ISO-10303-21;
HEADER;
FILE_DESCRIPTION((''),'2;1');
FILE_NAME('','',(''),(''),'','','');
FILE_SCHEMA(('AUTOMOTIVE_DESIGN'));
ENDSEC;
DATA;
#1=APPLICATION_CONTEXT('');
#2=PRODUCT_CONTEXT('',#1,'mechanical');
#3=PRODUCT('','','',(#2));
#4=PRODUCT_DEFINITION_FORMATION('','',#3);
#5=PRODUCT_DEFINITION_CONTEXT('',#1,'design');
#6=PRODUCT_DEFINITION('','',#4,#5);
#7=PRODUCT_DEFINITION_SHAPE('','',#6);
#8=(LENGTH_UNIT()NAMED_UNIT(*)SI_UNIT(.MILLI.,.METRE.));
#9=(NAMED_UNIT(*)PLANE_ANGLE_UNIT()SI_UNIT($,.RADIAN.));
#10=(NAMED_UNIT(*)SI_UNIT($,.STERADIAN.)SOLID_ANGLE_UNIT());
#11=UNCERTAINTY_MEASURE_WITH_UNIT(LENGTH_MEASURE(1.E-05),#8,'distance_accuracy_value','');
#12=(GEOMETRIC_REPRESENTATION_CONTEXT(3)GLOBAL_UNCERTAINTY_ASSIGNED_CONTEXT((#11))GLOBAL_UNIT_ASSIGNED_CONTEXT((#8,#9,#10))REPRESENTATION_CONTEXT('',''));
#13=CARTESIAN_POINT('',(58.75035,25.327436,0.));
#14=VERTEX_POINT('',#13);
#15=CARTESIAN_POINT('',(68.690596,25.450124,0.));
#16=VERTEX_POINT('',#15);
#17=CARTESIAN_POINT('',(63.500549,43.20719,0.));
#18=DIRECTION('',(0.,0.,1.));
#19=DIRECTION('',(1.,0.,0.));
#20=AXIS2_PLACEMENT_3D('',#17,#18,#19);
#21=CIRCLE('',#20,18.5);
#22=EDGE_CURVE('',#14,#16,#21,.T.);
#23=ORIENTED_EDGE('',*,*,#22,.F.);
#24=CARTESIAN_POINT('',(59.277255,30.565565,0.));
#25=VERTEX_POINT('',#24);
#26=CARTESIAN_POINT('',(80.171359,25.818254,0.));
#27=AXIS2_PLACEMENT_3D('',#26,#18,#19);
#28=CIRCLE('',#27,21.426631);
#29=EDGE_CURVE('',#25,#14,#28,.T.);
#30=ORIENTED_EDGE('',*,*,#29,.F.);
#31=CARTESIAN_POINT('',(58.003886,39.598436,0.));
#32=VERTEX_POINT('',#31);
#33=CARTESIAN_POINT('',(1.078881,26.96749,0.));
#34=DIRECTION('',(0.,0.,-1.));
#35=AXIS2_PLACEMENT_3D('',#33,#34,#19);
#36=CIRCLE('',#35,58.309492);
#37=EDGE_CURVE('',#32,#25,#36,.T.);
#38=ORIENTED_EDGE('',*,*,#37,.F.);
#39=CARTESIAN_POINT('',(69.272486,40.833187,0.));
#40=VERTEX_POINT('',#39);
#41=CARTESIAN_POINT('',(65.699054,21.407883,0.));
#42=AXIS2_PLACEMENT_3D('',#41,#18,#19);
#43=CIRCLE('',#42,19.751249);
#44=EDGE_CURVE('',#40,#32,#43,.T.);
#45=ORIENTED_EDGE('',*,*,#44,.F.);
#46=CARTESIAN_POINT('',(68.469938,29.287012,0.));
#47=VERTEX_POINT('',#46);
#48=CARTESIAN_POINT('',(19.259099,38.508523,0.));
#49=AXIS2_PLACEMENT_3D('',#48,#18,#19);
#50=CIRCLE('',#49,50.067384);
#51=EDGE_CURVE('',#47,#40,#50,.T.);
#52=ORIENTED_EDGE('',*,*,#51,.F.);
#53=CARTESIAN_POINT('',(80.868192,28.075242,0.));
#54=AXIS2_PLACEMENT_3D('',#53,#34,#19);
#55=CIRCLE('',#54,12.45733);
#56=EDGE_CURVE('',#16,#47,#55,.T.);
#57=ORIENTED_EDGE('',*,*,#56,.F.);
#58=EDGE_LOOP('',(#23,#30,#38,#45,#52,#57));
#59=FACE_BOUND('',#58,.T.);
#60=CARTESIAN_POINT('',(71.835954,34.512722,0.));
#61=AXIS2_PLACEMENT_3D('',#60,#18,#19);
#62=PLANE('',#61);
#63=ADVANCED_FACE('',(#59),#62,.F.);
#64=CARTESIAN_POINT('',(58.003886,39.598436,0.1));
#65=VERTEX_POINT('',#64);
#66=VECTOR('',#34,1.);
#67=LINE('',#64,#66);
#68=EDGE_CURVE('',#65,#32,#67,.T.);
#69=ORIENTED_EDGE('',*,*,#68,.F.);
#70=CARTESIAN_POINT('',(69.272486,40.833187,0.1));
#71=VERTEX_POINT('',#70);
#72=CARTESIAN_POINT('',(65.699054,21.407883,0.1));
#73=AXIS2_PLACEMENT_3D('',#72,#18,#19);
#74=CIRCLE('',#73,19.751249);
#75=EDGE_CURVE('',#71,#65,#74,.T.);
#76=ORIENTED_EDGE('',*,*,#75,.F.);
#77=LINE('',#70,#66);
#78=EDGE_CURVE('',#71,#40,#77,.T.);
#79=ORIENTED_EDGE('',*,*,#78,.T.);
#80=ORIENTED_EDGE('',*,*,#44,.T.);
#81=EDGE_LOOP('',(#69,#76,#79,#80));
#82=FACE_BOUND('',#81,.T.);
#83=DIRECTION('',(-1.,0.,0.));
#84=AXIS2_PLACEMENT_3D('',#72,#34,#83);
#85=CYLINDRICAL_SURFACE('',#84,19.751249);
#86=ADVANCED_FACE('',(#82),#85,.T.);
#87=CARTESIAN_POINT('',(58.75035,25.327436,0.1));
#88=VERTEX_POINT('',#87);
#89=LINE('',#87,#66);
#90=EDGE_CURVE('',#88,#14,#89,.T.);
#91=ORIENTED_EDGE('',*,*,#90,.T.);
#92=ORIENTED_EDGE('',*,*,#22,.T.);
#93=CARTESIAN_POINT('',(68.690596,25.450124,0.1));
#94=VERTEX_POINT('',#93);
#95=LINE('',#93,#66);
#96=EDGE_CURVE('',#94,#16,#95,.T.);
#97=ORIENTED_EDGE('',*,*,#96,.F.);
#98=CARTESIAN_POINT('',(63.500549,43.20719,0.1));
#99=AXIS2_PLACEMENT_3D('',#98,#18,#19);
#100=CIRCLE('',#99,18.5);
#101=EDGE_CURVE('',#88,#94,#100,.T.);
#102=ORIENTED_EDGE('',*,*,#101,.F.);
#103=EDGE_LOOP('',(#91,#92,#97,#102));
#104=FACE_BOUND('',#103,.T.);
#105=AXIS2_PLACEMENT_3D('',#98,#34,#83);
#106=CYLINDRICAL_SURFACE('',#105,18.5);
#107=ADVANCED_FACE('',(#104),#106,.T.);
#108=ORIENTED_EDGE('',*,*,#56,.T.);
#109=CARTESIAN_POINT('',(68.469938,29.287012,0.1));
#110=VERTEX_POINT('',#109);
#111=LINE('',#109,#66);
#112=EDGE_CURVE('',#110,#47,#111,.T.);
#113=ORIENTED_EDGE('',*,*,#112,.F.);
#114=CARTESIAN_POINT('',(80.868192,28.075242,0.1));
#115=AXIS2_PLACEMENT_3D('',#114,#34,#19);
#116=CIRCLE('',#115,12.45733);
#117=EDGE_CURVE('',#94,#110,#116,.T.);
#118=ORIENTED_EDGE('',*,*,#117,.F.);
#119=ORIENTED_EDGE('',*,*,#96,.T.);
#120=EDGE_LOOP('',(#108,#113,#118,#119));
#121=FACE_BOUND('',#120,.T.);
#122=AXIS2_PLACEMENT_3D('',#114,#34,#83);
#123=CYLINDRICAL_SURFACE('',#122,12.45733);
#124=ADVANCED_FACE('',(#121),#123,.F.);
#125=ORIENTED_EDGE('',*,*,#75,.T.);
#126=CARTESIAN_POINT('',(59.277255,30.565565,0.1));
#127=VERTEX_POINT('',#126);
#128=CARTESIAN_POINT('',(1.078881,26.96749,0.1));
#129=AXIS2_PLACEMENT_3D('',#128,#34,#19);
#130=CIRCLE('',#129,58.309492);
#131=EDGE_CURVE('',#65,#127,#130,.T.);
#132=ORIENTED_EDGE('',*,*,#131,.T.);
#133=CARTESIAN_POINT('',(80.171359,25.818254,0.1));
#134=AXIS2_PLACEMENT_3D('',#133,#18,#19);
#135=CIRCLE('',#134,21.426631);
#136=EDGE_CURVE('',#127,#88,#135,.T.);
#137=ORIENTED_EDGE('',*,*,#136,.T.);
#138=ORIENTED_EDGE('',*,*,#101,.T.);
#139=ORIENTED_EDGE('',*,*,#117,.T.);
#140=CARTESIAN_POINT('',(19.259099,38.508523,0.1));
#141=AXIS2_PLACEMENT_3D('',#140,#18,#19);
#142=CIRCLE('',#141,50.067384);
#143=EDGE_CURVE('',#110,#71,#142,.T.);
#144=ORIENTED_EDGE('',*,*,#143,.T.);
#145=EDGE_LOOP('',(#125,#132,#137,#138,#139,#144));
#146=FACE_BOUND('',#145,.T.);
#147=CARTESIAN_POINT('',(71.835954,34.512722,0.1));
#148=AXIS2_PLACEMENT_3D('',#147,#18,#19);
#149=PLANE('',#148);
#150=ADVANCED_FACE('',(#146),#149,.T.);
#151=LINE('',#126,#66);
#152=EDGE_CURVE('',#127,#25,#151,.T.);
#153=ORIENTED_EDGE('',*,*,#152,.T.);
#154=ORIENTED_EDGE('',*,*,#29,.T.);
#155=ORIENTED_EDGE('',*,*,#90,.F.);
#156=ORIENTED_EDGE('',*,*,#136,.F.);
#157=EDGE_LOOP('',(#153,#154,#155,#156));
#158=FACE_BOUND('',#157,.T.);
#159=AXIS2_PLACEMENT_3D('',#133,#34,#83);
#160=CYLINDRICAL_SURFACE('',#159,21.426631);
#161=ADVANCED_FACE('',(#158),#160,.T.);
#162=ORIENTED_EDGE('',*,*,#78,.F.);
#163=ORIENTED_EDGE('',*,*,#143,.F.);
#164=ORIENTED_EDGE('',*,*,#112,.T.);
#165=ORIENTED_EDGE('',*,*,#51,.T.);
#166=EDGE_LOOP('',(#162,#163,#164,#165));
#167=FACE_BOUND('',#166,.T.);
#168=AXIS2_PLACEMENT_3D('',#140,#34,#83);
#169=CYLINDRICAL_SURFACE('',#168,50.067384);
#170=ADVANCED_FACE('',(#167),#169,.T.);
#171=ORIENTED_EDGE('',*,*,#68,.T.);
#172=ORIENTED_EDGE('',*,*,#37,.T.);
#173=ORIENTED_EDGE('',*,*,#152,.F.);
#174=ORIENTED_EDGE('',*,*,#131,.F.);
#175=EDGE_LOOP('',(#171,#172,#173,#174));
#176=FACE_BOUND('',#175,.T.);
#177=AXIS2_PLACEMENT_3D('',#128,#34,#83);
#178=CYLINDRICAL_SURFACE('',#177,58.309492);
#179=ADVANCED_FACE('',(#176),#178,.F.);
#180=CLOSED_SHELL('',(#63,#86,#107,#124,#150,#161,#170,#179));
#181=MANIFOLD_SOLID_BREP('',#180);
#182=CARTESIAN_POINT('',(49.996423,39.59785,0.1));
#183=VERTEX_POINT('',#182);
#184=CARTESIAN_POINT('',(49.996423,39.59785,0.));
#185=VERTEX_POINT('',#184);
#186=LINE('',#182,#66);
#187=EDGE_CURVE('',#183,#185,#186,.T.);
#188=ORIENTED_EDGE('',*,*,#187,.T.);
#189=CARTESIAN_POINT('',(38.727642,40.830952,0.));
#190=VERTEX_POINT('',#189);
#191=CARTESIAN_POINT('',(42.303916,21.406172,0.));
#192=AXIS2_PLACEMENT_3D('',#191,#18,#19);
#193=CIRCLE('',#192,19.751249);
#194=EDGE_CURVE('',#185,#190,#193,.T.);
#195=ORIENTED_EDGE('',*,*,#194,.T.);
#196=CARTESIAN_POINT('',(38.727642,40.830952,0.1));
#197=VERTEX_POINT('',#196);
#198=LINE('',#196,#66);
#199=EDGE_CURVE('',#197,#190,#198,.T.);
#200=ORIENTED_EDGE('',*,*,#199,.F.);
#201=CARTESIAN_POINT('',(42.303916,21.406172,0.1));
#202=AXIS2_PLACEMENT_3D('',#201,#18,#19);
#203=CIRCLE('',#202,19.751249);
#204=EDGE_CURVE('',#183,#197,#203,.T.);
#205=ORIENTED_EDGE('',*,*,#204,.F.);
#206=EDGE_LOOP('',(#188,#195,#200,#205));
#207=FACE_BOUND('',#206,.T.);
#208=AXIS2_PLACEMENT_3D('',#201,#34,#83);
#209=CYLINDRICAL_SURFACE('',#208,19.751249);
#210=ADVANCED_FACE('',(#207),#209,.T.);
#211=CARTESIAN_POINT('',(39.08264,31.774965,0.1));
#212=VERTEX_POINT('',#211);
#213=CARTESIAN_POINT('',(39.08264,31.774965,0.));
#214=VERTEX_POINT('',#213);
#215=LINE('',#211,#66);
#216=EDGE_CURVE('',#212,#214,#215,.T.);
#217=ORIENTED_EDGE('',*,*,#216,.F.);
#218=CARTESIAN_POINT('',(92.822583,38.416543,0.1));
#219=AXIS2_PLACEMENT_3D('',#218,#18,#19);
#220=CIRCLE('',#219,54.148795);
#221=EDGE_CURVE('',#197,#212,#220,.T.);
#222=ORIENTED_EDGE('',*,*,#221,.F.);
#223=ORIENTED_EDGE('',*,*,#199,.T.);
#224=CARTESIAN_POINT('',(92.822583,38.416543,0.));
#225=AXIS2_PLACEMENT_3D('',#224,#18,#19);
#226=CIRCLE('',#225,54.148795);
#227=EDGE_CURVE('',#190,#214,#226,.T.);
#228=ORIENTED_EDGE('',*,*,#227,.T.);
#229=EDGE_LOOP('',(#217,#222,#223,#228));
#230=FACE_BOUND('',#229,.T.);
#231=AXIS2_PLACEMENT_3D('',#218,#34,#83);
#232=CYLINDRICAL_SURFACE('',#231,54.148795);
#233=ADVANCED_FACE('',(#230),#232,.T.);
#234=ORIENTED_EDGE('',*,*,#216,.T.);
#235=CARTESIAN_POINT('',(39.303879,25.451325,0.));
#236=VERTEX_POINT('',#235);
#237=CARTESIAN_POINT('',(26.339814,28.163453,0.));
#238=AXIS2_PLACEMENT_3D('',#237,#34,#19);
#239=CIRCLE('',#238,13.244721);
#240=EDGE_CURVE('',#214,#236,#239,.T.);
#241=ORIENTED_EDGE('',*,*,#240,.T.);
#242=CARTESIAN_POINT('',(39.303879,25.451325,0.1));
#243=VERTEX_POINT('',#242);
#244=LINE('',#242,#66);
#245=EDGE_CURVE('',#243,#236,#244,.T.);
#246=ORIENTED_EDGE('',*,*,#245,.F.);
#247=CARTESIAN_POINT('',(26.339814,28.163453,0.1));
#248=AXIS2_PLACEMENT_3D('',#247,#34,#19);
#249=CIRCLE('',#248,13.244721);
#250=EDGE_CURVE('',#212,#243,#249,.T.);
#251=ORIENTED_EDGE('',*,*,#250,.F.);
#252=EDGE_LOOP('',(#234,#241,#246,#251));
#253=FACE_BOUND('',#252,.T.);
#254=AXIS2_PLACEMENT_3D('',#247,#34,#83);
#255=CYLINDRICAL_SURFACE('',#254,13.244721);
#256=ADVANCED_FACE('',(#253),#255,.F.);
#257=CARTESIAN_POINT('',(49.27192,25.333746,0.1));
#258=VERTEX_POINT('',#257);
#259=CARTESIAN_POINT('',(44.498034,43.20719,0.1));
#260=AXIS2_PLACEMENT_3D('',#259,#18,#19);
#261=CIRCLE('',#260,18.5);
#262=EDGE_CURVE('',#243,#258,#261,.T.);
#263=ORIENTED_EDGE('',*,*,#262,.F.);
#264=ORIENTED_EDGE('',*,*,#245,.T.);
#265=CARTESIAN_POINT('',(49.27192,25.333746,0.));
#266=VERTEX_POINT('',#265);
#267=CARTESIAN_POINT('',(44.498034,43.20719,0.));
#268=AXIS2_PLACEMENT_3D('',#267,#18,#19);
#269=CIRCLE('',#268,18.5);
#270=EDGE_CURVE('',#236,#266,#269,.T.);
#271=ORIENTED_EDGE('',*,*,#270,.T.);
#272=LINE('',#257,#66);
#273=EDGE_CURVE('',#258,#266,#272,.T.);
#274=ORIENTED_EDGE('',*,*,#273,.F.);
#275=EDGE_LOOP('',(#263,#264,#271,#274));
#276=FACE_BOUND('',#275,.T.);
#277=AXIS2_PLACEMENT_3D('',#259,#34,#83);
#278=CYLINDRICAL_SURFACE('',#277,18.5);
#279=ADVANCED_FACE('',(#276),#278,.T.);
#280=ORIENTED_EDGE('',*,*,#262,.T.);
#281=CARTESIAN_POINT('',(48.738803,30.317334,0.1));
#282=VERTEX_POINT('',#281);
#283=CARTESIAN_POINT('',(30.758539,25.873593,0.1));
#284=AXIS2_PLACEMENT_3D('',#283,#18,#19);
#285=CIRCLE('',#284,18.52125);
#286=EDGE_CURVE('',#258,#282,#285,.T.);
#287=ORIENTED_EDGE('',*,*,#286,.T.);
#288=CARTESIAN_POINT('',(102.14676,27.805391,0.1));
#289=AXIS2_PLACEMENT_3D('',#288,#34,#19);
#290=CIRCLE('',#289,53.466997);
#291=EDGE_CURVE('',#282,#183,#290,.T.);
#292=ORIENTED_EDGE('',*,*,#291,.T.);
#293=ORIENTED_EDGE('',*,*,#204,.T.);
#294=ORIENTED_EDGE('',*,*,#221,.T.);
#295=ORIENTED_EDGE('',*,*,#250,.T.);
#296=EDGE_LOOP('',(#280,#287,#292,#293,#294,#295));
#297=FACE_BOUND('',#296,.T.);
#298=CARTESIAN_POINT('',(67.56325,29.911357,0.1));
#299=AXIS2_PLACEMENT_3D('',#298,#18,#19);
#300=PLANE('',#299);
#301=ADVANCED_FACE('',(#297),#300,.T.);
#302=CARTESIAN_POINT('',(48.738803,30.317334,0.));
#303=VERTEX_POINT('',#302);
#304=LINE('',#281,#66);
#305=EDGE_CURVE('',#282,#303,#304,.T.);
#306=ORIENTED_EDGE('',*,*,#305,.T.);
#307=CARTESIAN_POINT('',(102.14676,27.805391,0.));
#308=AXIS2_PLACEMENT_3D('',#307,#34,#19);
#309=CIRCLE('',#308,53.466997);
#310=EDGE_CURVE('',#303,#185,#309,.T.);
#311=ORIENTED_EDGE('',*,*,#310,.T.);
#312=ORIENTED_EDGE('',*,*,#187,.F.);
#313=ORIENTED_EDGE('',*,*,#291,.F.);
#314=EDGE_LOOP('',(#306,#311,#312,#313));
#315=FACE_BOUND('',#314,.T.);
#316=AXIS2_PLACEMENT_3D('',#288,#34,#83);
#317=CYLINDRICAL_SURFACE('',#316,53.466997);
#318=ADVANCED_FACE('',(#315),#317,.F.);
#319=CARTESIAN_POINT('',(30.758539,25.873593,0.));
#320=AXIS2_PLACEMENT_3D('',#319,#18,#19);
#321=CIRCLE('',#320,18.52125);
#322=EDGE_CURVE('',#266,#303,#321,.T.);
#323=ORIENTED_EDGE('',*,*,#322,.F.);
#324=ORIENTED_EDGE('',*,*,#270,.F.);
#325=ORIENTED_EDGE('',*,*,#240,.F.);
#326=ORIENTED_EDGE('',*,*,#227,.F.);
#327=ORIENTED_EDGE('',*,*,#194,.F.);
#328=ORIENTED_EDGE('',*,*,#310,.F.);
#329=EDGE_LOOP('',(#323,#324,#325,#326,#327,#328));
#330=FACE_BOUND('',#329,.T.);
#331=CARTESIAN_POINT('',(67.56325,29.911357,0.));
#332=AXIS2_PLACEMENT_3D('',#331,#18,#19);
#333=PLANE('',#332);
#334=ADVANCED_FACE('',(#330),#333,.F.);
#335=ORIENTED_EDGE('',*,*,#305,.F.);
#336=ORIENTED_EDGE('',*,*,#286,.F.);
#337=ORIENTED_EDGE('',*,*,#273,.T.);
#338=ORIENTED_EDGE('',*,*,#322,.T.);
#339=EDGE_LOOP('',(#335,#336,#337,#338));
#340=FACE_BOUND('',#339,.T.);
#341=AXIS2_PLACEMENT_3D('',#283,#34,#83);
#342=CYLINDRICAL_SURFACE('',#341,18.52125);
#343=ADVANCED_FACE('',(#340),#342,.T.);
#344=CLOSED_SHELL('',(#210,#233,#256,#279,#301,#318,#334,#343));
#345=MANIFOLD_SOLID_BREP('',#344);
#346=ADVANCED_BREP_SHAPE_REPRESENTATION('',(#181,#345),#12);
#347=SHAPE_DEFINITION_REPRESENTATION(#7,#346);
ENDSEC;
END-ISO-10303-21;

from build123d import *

# Parameters (mm, degrees)
SALIENTE_EXTRUIR1_DEPTH   = 0.1
SALIENTE_EXTRUIR1_2_DEPTH = 0.1


with BuildPart() as part:
    # Model → Saliente-Extruir1 (new body)
    with BuildSketch(Plane.XY):
        with BuildLine():
            ThreePointArc((38.727641792, 40.830951587), (38.715344206, 36.29551839), (39.082639899, 31.774965394))
            ThreePointArc((39.082639899, 31.774965394), (39.576436382, 28.626551083), (39.303879403, 25.451325054))
            ThreePointArc((39.303879403, 25.451325054), (44.279831034, 24.708477296), (49.271920409, 25.333746117))
            ThreePointArc((49.271920409, 25.333746117), (49.17471595, 27.843656594), (48.738802888, 30.317333838))
            ThreePointArc((48.738802888, 30.317333838), (49.164023548, 34.985180658), (49.996422938, 39.597849929))
            ThreePointArc((49.996422938, 39.597849929), (44.452398712, 41.040219605), (38.727641792, 40.830951587))
        make_face()
    extrude(amount=SALIENTE_EXTRUIR1_DEPTH)


with BuildPart() as body_2:
    # Model → Saliente-Extruir1 2 (new body)
    with BuildSketch(Plane.XY):
        with BuildLine():
            ThreePointArc((59.277255482, 30.565564579), (58.817484117, 35.106939847), (58.003885533, 39.598435853))
            ThreePointArc((58.003885533, 39.598435853), (63.547698616, 41.041616851), (69.272486101, 40.833186622))
            ThreePointArc((69.272486101, 40.833186622), (69.205973765, 35.03683073), (68.469937989, 29.287011876))
            ThreePointArc((68.469937989, 29.287011876), (68.431410818, 27.360007199), (68.690596183, 25.450123875))
            ThreePointArc((68.690596183, 25.450123875), (63.728868303, 24.708599385), (58.750350145, 25.327436261))
            ThreePointArc((58.750350145, 25.327436261), (58.852313973, 27.962744644), (59.277255482, 30.565564579))
        make_face()
    extrude(amount=SALIENTE_EXTRUIR1_2_DEPTH)


solid = Compound([part.part, body_2.part])
